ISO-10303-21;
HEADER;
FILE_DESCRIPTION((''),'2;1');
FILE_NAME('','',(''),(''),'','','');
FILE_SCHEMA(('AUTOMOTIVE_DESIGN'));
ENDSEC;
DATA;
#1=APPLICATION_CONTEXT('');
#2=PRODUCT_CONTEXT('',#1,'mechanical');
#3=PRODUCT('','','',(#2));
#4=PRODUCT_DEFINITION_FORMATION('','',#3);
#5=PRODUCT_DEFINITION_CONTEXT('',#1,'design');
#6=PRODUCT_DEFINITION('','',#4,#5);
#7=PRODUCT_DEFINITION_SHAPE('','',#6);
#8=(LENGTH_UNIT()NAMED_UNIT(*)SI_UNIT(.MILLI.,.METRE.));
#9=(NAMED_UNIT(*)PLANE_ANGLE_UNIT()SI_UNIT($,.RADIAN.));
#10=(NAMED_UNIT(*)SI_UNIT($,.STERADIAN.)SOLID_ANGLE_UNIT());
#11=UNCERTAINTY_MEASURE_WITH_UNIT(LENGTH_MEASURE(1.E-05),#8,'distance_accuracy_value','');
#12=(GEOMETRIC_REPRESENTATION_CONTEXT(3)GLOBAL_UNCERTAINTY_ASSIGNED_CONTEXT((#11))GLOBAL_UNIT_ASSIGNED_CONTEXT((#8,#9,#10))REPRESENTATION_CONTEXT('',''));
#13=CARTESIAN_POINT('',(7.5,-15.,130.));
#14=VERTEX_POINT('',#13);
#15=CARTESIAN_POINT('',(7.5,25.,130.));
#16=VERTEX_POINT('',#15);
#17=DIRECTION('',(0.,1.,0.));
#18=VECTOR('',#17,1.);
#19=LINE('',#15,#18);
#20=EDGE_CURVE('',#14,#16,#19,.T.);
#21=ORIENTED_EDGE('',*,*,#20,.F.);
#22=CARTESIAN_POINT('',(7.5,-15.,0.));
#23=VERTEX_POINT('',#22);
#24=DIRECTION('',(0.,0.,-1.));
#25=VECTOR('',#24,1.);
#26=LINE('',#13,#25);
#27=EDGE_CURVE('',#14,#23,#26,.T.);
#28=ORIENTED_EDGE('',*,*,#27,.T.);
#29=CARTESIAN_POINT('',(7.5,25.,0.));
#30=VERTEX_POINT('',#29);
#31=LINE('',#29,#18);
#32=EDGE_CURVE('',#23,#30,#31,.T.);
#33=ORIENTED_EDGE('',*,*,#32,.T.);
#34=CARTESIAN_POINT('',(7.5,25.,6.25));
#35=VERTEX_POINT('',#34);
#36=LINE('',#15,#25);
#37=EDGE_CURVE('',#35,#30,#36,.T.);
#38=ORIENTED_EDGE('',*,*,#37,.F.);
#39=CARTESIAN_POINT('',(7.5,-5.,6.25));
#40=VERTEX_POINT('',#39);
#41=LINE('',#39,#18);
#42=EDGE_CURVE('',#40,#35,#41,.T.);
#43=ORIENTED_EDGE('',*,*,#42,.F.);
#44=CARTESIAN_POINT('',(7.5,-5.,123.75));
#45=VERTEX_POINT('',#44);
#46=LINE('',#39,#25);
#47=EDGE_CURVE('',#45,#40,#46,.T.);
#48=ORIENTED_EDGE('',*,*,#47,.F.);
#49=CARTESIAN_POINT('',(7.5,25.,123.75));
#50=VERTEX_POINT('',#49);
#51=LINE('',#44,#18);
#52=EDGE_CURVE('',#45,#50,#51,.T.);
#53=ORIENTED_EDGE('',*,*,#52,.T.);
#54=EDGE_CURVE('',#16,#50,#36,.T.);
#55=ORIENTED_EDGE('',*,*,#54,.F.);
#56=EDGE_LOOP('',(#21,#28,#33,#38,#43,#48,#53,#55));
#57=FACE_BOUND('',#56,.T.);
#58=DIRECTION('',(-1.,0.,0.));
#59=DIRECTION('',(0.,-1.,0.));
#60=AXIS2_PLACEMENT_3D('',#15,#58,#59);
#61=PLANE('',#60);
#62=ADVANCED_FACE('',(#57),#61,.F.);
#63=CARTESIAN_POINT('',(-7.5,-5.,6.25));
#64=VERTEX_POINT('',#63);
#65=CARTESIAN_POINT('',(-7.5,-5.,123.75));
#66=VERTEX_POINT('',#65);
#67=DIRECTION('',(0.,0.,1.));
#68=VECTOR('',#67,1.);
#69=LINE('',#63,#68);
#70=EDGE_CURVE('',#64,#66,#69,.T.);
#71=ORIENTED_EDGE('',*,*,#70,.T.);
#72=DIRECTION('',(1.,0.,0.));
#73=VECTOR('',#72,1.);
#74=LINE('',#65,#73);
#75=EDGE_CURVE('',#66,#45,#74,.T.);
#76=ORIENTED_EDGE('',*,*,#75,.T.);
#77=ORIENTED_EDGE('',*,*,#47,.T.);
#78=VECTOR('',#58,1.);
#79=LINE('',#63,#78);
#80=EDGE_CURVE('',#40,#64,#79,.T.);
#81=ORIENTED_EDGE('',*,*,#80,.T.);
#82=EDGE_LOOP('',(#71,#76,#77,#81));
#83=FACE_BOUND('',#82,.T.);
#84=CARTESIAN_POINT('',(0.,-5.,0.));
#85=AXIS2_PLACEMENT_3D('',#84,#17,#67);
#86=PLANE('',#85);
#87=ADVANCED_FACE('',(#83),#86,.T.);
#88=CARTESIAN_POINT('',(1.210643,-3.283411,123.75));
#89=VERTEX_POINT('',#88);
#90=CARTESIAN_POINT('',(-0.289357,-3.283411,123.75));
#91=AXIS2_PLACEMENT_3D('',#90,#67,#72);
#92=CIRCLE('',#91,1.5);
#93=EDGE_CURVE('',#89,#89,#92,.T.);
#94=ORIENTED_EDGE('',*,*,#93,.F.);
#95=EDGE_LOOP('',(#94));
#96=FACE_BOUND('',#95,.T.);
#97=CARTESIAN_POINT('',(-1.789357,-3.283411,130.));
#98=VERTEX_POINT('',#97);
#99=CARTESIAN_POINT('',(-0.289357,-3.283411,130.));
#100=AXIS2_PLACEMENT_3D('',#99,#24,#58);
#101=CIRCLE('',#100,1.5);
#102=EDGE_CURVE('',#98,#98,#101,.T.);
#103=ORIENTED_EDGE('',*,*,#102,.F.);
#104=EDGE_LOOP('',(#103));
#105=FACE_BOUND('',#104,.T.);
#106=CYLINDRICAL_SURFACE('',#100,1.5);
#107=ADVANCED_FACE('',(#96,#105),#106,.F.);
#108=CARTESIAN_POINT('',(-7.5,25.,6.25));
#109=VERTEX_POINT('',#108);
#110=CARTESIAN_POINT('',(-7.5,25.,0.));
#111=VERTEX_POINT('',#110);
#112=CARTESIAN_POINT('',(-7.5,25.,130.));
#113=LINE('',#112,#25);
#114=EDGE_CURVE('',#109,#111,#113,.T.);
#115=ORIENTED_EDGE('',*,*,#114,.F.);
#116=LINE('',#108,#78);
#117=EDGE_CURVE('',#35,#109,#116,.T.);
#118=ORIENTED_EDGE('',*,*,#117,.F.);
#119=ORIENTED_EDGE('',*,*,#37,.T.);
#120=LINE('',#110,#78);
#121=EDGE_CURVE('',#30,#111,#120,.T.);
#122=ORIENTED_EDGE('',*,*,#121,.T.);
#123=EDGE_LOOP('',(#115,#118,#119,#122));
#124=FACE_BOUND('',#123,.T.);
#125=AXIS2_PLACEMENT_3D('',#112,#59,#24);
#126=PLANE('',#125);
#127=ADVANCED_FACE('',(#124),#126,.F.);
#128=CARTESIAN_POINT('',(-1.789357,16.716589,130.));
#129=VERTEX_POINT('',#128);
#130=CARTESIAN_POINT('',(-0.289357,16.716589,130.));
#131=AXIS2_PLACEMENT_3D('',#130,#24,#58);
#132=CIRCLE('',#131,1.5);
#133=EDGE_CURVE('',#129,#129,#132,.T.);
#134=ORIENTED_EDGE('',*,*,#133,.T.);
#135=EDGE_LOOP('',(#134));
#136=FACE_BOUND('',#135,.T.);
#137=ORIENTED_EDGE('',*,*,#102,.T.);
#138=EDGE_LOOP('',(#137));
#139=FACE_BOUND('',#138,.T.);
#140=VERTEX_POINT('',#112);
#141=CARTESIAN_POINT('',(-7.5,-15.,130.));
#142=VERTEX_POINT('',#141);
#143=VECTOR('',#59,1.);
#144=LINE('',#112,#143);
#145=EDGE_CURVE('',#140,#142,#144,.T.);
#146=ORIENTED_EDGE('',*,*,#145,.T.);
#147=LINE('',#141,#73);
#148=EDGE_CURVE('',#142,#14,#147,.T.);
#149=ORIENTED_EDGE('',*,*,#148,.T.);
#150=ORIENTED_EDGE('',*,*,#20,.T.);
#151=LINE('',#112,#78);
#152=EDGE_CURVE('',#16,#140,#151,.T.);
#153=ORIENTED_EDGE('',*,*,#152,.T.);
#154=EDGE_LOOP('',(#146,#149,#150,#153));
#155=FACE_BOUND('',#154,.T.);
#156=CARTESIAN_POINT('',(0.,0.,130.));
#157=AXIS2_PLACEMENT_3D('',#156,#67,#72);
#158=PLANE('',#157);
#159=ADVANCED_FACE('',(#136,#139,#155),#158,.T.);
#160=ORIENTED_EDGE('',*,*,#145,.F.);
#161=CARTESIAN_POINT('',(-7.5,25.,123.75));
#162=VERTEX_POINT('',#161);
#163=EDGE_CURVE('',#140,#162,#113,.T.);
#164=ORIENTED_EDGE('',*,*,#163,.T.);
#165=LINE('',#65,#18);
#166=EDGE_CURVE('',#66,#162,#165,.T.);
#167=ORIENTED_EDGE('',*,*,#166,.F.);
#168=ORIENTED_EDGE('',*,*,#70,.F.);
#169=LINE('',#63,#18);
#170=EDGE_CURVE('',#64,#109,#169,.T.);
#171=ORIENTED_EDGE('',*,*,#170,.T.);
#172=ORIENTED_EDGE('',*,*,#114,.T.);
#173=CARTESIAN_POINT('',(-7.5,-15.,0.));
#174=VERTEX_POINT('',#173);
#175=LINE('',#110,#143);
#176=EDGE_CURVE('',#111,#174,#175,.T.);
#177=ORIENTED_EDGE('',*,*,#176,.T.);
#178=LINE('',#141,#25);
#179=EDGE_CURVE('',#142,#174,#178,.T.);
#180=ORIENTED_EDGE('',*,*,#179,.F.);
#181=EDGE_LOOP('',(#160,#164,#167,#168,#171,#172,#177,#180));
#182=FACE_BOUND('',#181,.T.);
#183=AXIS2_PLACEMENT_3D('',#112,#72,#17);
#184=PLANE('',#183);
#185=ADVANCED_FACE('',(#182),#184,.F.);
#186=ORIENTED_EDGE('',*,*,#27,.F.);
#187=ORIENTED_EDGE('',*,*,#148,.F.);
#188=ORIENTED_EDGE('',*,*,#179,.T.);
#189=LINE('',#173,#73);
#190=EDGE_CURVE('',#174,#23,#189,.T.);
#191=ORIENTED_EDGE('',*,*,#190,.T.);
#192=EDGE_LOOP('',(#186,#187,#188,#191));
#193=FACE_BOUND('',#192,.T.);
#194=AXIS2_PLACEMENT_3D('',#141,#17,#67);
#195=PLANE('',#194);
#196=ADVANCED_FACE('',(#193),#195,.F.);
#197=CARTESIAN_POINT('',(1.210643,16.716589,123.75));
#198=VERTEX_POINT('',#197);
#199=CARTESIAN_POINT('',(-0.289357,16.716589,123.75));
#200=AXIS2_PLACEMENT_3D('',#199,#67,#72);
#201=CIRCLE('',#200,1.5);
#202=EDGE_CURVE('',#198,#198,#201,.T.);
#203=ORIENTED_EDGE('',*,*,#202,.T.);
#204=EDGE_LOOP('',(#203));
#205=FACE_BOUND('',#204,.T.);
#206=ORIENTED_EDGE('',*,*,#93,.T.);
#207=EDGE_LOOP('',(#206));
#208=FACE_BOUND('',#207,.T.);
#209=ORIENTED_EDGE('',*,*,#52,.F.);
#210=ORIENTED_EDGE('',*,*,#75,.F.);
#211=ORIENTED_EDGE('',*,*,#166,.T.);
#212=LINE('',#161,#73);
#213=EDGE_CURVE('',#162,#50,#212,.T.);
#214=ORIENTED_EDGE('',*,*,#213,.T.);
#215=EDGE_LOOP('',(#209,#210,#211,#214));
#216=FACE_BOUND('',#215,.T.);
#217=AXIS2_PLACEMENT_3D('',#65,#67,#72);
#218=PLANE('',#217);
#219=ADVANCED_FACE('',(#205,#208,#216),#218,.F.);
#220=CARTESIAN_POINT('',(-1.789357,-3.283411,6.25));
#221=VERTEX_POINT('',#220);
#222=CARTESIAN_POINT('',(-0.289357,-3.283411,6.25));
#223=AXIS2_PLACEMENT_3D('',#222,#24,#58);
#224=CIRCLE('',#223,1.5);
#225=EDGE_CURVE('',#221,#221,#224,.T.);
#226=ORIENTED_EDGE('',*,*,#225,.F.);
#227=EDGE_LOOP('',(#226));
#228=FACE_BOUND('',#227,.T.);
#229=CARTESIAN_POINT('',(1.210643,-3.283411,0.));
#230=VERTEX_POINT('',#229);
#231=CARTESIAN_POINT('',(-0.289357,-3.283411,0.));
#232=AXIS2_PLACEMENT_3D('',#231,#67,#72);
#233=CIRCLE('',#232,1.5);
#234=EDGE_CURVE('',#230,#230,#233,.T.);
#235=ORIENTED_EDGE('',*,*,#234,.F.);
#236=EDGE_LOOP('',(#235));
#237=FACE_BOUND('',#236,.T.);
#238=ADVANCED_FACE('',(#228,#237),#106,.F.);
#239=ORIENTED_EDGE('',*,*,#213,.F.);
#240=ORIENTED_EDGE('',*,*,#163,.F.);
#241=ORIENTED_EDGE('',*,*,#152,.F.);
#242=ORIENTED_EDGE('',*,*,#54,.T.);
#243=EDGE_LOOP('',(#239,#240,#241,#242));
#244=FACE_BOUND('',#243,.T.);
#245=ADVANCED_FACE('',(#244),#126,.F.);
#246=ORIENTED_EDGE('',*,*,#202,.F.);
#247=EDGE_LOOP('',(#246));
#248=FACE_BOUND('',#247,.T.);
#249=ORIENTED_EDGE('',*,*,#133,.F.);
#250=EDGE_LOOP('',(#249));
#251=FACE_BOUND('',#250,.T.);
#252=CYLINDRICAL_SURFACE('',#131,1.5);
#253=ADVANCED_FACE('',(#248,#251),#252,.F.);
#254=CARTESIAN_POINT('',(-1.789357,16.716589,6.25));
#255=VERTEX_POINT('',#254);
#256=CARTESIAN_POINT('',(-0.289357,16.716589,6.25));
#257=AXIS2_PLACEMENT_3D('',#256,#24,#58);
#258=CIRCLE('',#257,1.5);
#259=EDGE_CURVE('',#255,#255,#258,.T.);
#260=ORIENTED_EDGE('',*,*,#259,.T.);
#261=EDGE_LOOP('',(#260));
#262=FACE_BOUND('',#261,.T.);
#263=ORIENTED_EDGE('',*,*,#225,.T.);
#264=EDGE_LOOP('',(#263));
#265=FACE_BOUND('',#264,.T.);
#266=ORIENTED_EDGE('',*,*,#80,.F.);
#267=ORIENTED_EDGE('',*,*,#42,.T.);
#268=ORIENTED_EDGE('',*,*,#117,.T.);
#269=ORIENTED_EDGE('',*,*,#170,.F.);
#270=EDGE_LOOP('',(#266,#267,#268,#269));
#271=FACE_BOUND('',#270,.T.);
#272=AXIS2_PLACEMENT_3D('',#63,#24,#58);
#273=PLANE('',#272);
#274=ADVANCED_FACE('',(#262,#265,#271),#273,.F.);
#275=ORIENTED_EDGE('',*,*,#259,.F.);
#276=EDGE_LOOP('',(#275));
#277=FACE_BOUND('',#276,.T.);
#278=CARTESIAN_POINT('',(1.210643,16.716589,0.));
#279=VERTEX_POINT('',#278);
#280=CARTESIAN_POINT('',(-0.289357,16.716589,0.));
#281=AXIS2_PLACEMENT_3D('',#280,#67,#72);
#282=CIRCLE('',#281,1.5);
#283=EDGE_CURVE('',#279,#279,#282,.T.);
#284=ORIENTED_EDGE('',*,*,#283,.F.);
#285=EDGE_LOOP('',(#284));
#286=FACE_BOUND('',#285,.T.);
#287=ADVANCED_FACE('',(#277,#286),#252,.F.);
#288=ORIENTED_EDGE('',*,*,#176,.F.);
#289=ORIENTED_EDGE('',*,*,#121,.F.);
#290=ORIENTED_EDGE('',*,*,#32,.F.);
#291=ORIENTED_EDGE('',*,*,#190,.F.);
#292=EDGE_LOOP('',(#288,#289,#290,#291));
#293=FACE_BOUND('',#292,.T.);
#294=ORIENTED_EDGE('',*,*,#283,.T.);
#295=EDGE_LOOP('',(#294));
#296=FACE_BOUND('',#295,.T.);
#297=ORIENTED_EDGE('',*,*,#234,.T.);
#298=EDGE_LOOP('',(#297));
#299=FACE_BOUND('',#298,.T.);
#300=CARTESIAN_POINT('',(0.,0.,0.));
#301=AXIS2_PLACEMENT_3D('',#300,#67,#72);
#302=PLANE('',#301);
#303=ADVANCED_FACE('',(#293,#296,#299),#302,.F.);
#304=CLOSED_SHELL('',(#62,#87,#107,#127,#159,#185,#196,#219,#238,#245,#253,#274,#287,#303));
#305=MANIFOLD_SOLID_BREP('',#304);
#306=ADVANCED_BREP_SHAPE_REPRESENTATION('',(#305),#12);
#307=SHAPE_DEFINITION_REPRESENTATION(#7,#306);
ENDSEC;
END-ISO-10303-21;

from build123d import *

# Parameters (mm, degrees)
SKETCH1_W               = 15
SKETCH1_H               = 40
BOSS_EXTRUDE1_DEPTH     = 130
SKETCH2_W               = 15
SKETCH2_H               = 117.5
CUT_EXTRUDE1_DEPTH      = 30
CUT_EXTRUDE2_DEPTH      = 133.594306062
CUT_EXTRUDE2_DEPTH_BACK = 133.594306062
SKETCH3_R               = 1.5


with BuildPart() as part:
    # Sketch1 → Boss-Extrude1 (new body)
    with BuildSketch(Plane.XY):
        with Locations((0, 5)):
            Rectangle(SKETCH1_W, SKETCH1_H)
    extrude(amount=BOSS_EXTRUDE1_DEPTH)

    # Sketch2 → Cut-Extrude1 (cut)
    with BuildSketch(Plane(origin=(0, 25, 0), x_dir=(1, 0, 0), z_dir=(0, 1, 0))):
        with Locations((0, -65)):
            Rectangle(SKETCH2_W, SKETCH2_H)
    extrude(amount=-CUT_EXTRUDE1_DEPTH, mode=Mode.SUBTRACT)

    # Sketch3 → Cut-Extrude2 (cut, two sides: drawn at the far end of the back side and taken through both)
    with BuildSketch(Plane(origin=(0, 0, 0), x_dir=(-1, 0, 0), z_dir=(0, 0, -1)).offset(-CUT_EXTRUDE2_DEPTH_BACK)):
        with Locations((0.28935703, 16.716588701)):
            Circle(SKETCH3_R)
        with Locations((0.28935703, -3.283411299)):
            Circle(SKETCH3_R)
    extrude(amount=CUT_EXTRUDE2_DEPTH + CUT_EXTRUDE2_DEPTH_BACK, mode=Mode.SUBTRACT)


solid = part.part
